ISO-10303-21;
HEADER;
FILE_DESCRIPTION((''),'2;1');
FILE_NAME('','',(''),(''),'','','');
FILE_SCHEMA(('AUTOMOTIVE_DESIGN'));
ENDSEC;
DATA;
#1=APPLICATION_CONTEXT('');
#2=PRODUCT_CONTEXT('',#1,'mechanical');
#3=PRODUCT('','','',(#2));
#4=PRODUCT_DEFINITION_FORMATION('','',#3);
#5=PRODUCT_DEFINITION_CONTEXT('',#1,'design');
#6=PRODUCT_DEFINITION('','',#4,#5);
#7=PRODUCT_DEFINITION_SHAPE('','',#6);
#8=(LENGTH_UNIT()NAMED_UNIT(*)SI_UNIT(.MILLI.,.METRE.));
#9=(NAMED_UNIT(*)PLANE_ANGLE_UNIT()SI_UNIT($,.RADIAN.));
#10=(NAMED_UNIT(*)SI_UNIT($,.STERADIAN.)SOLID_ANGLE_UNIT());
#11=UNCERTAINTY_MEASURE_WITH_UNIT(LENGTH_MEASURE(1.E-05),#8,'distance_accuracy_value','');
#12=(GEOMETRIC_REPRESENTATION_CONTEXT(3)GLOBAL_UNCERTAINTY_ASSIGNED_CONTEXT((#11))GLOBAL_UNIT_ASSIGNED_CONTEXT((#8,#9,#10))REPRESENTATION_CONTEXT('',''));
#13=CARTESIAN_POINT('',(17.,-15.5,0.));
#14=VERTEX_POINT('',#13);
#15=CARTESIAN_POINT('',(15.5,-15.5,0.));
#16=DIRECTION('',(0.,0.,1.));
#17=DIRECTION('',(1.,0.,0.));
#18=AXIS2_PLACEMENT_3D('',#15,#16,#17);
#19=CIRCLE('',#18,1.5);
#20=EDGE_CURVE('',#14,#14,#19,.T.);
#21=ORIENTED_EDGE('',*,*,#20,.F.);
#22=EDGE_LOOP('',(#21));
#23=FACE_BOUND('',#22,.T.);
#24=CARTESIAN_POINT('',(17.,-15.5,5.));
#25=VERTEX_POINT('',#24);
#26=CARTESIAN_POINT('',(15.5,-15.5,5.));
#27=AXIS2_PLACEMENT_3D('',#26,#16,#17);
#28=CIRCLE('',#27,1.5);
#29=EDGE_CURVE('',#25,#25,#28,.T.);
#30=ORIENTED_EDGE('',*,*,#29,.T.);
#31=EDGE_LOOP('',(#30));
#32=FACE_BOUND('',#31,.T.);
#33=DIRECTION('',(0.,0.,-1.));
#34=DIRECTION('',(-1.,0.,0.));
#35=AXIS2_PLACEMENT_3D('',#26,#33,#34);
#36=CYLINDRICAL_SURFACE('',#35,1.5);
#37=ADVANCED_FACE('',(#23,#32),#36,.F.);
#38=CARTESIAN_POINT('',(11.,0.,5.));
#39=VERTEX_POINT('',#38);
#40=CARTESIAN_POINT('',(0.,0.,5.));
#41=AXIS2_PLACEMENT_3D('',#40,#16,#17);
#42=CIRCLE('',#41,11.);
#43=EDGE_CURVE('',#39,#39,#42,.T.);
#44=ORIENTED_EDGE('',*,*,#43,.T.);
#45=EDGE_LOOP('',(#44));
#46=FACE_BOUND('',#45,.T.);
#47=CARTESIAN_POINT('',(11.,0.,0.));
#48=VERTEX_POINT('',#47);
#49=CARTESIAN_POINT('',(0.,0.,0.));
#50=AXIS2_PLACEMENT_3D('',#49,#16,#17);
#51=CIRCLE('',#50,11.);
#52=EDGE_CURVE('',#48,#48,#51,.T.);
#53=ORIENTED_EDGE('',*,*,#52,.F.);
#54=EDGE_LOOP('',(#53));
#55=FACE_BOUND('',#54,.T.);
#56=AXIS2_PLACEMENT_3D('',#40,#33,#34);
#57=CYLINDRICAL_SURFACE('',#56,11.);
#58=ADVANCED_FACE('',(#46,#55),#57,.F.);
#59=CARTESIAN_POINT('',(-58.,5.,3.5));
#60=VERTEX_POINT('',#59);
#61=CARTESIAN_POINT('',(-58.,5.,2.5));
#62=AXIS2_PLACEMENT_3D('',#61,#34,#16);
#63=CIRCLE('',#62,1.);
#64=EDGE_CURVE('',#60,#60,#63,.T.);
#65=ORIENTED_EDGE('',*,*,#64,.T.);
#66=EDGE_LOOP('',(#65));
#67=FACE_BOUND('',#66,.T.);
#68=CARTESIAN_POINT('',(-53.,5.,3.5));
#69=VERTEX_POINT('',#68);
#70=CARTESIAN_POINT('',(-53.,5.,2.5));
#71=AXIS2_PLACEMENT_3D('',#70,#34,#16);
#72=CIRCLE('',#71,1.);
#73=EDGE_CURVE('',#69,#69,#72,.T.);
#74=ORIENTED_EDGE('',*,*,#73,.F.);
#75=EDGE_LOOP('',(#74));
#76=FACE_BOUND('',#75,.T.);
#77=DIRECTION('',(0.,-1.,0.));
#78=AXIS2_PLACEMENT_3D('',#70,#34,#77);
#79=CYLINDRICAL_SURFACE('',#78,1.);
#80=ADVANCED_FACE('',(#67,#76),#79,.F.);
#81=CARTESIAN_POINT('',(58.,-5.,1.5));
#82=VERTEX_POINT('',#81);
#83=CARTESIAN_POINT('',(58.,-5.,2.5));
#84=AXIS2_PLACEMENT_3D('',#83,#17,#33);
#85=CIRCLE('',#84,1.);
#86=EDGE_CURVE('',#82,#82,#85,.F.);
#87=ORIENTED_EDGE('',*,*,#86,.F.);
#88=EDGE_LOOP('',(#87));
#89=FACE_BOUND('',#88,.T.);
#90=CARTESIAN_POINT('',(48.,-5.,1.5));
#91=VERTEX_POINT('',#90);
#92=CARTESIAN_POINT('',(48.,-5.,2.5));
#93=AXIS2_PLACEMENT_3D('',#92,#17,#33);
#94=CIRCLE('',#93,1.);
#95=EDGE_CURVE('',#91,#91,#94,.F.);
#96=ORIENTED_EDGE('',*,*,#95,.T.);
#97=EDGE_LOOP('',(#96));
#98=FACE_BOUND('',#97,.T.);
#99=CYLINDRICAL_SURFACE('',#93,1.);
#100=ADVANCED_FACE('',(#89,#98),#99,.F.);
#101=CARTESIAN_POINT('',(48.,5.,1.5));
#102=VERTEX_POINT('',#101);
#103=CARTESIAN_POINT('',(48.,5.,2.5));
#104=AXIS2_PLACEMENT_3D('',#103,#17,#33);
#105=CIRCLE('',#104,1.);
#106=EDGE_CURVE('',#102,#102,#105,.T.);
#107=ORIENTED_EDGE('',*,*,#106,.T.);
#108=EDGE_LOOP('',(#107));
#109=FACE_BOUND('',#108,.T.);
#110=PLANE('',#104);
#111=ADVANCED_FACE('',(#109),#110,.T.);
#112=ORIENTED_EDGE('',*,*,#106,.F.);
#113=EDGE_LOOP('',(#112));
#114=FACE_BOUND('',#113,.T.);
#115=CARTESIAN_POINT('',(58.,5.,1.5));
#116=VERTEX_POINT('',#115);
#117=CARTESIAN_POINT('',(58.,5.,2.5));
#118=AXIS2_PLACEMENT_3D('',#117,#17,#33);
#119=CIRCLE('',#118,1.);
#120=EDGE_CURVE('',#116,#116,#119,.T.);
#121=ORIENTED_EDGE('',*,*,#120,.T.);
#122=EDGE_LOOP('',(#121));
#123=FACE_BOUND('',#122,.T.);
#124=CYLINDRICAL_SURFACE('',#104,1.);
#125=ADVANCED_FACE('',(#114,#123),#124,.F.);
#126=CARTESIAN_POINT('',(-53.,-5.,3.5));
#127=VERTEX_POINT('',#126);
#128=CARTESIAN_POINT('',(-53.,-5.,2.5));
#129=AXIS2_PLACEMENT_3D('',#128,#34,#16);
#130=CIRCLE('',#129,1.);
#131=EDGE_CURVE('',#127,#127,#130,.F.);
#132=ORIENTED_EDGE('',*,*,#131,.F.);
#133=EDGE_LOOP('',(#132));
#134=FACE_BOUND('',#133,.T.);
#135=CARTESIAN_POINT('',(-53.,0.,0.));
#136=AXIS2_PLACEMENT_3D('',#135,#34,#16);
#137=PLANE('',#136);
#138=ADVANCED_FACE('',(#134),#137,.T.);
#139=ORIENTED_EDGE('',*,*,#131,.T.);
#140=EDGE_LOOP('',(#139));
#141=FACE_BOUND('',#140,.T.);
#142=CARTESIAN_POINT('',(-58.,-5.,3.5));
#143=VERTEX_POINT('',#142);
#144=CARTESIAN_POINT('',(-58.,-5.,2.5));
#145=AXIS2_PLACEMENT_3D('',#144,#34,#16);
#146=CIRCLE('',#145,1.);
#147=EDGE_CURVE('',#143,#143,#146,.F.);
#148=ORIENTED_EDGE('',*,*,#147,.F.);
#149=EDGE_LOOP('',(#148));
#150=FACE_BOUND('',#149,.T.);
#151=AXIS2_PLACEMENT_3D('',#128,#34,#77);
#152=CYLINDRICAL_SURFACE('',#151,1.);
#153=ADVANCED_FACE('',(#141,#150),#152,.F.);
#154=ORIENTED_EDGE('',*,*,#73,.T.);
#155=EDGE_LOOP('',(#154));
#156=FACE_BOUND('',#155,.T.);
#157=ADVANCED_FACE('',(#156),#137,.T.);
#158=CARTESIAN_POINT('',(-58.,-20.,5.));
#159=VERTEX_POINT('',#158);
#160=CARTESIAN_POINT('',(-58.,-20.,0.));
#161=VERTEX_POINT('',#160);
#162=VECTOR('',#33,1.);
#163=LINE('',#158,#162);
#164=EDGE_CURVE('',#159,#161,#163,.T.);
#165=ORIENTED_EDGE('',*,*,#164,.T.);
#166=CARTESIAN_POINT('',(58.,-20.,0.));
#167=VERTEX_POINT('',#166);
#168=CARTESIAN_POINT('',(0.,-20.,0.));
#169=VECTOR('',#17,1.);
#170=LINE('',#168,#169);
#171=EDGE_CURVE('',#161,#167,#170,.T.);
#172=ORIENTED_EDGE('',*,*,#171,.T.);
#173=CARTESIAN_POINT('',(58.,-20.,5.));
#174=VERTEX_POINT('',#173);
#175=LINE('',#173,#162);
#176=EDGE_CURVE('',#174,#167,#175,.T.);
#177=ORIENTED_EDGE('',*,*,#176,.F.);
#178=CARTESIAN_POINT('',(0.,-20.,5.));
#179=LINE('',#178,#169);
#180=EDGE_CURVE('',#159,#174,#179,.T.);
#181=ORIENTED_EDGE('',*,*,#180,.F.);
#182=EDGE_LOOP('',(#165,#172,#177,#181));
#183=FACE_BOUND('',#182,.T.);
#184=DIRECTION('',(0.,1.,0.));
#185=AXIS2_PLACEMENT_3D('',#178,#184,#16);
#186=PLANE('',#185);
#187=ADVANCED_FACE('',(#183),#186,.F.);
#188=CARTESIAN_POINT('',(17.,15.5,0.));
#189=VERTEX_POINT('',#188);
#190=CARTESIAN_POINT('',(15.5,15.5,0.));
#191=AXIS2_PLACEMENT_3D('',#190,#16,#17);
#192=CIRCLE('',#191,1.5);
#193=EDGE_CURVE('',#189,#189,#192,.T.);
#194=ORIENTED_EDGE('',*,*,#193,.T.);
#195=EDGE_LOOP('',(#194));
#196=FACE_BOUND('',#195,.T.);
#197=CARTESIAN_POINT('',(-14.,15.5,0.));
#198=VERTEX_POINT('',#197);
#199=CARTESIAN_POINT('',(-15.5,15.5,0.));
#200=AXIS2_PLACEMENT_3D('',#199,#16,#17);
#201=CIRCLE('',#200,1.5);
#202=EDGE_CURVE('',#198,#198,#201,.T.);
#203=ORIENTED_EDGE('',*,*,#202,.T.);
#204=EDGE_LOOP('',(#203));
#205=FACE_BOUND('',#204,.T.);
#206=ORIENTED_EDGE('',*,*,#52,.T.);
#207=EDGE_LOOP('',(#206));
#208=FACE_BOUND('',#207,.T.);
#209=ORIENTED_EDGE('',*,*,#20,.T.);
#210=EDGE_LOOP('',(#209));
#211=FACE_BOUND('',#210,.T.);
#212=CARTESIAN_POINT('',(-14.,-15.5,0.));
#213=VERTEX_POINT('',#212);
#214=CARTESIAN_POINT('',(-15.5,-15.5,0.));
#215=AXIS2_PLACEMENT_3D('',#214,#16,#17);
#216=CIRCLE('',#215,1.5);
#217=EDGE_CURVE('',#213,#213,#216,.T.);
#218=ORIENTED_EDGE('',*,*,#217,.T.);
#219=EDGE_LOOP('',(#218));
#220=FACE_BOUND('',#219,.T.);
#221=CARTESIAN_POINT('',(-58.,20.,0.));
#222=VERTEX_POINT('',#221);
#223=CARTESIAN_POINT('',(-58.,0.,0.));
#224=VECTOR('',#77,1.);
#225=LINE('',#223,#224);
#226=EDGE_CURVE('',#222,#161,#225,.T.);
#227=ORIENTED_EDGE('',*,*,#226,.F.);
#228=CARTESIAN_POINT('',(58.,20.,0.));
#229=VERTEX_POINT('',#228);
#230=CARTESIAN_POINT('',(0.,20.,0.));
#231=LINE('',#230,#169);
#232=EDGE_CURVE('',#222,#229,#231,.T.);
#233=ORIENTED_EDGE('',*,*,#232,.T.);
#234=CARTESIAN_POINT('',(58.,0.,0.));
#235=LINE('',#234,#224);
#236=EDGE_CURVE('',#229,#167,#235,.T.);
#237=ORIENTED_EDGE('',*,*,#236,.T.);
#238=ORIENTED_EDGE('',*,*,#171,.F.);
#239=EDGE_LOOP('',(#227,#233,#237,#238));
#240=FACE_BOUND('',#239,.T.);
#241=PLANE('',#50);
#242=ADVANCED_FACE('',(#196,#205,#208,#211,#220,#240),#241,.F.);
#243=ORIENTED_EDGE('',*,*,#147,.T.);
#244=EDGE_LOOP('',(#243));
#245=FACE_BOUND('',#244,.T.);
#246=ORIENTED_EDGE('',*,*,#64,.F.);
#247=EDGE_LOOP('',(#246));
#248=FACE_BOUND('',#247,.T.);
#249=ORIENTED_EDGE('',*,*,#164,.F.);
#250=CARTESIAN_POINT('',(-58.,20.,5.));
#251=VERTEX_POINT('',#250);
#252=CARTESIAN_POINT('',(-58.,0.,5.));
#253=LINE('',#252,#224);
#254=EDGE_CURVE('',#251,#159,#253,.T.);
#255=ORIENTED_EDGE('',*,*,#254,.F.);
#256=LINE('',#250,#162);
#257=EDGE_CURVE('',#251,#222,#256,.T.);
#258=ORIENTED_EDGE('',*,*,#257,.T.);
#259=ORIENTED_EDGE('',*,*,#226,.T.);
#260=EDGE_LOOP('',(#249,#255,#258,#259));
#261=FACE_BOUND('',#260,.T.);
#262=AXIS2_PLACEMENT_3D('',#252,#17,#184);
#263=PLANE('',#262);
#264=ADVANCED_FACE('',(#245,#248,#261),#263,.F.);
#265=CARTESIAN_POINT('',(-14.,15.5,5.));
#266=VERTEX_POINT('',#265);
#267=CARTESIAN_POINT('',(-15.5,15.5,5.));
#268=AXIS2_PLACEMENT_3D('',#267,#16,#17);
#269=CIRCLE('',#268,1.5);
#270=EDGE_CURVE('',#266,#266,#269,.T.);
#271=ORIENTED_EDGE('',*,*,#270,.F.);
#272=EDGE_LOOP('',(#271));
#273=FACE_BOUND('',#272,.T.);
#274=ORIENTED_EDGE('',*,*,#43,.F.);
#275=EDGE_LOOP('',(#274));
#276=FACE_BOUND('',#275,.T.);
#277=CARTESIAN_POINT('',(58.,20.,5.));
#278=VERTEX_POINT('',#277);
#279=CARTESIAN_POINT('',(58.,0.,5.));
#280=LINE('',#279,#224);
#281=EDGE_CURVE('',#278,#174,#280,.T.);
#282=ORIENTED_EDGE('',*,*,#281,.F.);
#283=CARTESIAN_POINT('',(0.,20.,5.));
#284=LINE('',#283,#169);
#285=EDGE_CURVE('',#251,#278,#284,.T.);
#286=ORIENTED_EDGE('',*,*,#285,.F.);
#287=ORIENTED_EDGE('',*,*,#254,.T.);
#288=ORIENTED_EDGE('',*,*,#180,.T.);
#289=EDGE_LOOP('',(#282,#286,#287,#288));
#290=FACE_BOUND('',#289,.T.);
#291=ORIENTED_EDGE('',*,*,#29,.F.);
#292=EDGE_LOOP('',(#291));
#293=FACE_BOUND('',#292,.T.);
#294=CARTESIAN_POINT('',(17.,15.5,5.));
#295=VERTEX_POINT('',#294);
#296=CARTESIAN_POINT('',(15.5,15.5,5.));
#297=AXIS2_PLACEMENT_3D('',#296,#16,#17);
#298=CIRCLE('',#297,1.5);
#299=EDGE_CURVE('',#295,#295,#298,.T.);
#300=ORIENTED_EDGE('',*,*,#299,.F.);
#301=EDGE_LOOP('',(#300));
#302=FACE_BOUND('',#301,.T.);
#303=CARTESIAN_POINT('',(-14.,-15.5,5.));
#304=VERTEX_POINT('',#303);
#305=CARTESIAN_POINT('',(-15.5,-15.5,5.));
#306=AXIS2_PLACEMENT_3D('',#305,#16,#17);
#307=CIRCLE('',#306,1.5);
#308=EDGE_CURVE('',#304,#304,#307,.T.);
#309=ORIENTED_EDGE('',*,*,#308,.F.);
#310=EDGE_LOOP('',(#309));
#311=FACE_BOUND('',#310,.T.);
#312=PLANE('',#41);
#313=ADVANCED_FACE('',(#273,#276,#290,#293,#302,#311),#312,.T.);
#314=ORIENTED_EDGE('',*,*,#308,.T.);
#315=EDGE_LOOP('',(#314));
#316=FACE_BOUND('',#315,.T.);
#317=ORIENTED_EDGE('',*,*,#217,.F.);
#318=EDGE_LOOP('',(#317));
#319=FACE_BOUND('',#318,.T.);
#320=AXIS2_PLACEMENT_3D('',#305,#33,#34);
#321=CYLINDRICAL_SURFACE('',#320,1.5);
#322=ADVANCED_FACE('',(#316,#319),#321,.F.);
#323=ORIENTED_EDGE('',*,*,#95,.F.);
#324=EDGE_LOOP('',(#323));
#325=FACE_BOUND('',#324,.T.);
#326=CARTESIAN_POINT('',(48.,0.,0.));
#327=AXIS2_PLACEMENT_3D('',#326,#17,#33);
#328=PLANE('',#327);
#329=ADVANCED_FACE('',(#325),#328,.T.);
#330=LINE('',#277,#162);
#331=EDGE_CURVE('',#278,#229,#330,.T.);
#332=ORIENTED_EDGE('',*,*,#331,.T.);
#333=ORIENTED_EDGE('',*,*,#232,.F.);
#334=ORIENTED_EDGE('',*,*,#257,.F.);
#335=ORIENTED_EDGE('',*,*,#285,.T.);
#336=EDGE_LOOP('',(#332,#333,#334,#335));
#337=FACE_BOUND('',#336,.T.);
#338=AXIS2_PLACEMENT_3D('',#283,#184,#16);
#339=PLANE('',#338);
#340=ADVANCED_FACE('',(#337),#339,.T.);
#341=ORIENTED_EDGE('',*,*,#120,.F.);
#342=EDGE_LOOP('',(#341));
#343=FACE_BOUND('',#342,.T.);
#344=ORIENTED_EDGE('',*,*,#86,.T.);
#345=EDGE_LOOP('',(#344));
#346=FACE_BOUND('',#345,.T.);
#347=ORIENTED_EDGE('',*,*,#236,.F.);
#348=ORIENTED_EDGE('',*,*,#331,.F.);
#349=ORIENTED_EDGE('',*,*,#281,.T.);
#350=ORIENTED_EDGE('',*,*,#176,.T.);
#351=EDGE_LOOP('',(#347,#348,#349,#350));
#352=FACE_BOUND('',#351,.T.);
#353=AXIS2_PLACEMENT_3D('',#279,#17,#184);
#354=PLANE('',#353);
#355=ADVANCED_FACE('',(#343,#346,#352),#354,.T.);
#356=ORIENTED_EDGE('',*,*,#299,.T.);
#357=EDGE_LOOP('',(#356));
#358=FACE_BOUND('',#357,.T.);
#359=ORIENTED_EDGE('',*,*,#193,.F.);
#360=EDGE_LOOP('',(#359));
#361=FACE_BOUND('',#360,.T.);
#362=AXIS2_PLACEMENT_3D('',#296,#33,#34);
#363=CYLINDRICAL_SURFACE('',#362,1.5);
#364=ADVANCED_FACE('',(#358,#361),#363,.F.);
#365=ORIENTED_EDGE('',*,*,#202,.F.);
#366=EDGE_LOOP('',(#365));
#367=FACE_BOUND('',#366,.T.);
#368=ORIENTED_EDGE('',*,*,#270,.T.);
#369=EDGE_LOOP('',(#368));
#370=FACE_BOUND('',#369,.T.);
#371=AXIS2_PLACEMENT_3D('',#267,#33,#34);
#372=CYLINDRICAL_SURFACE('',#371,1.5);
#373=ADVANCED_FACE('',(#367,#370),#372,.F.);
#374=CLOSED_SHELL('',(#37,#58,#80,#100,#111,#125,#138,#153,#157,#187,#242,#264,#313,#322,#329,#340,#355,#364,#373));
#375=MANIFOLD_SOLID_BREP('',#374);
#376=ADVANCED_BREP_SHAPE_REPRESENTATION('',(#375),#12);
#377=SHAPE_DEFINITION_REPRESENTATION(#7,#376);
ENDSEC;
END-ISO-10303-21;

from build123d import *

# Parameters (mm, degrees)
SKETCH1_W           = 116
SKETCH1_H           = 40
SKETCH1_R           = 11
SKETCH1_R_2         = 1.5
BOSS_EXTRUDE2_DEPTH = 5
SKETCH4_R           = 1
CUT_EXTRUDE1_DEPTH  = 10
SKETCH6_R           = 1
CUT_EXTRUDE2_DEPTH  = 5


with BuildPart() as part:
    # Sketch1 → Boss-Extrude2 (new body)
    with BuildSketch(Plane.XY):
        Rectangle(SKETCH1_W, SKETCH1_H)
        Circle(SKETCH1_R, mode=Mode.SUBTRACT)
        with Locations((-15.5, 15.5)):
            Circle(SKETCH1_R_2, mode=Mode.SUBTRACT)
        with Locations((-15.5, -15.5)):
            Circle(SKETCH1_R_2, mode=Mode.SUBTRACT)
        with Locations((15.5, -15.5)):
            Circle(SKETCH1_R_2, mode=Mode.SUBTRACT)
        with Locations((15.5, 15.5)):
            Circle(SKETCH1_R_2, mode=Mode.SUBTRACT)
    extrude(amount=BOSS_EXTRUDE2_DEPTH)

    # Sketch4 → Cut-Extrude1 (cut)
    with BuildSketch(Plane(origin=(58, 0, 0), x_dir=(0, 0, -1), z_dir=(1, 0, 0))):
        with Locations((-2.5, -5)):
            Circle(SKETCH4_R)
        with Locations((-2.5, 5)):
            Circle(SKETCH4_R)
    extrude(amount=-CUT_EXTRUDE1_DEPTH, mode=Mode.SUBTRACT)

    # Sketch6 → Cut-Extrude2 (cut)
    with BuildSketch(Plane.ZY.offset(58)):
        with Locations((2.5, 5)):
            Circle(SKETCH6_R)
        with Locations((2.5, -5)):
            Circle(SKETCH6_R)
    extrude(amount=-CUT_EXTRUDE2_DEPTH, mode=Mode.SUBTRACT)


solid = part.part
